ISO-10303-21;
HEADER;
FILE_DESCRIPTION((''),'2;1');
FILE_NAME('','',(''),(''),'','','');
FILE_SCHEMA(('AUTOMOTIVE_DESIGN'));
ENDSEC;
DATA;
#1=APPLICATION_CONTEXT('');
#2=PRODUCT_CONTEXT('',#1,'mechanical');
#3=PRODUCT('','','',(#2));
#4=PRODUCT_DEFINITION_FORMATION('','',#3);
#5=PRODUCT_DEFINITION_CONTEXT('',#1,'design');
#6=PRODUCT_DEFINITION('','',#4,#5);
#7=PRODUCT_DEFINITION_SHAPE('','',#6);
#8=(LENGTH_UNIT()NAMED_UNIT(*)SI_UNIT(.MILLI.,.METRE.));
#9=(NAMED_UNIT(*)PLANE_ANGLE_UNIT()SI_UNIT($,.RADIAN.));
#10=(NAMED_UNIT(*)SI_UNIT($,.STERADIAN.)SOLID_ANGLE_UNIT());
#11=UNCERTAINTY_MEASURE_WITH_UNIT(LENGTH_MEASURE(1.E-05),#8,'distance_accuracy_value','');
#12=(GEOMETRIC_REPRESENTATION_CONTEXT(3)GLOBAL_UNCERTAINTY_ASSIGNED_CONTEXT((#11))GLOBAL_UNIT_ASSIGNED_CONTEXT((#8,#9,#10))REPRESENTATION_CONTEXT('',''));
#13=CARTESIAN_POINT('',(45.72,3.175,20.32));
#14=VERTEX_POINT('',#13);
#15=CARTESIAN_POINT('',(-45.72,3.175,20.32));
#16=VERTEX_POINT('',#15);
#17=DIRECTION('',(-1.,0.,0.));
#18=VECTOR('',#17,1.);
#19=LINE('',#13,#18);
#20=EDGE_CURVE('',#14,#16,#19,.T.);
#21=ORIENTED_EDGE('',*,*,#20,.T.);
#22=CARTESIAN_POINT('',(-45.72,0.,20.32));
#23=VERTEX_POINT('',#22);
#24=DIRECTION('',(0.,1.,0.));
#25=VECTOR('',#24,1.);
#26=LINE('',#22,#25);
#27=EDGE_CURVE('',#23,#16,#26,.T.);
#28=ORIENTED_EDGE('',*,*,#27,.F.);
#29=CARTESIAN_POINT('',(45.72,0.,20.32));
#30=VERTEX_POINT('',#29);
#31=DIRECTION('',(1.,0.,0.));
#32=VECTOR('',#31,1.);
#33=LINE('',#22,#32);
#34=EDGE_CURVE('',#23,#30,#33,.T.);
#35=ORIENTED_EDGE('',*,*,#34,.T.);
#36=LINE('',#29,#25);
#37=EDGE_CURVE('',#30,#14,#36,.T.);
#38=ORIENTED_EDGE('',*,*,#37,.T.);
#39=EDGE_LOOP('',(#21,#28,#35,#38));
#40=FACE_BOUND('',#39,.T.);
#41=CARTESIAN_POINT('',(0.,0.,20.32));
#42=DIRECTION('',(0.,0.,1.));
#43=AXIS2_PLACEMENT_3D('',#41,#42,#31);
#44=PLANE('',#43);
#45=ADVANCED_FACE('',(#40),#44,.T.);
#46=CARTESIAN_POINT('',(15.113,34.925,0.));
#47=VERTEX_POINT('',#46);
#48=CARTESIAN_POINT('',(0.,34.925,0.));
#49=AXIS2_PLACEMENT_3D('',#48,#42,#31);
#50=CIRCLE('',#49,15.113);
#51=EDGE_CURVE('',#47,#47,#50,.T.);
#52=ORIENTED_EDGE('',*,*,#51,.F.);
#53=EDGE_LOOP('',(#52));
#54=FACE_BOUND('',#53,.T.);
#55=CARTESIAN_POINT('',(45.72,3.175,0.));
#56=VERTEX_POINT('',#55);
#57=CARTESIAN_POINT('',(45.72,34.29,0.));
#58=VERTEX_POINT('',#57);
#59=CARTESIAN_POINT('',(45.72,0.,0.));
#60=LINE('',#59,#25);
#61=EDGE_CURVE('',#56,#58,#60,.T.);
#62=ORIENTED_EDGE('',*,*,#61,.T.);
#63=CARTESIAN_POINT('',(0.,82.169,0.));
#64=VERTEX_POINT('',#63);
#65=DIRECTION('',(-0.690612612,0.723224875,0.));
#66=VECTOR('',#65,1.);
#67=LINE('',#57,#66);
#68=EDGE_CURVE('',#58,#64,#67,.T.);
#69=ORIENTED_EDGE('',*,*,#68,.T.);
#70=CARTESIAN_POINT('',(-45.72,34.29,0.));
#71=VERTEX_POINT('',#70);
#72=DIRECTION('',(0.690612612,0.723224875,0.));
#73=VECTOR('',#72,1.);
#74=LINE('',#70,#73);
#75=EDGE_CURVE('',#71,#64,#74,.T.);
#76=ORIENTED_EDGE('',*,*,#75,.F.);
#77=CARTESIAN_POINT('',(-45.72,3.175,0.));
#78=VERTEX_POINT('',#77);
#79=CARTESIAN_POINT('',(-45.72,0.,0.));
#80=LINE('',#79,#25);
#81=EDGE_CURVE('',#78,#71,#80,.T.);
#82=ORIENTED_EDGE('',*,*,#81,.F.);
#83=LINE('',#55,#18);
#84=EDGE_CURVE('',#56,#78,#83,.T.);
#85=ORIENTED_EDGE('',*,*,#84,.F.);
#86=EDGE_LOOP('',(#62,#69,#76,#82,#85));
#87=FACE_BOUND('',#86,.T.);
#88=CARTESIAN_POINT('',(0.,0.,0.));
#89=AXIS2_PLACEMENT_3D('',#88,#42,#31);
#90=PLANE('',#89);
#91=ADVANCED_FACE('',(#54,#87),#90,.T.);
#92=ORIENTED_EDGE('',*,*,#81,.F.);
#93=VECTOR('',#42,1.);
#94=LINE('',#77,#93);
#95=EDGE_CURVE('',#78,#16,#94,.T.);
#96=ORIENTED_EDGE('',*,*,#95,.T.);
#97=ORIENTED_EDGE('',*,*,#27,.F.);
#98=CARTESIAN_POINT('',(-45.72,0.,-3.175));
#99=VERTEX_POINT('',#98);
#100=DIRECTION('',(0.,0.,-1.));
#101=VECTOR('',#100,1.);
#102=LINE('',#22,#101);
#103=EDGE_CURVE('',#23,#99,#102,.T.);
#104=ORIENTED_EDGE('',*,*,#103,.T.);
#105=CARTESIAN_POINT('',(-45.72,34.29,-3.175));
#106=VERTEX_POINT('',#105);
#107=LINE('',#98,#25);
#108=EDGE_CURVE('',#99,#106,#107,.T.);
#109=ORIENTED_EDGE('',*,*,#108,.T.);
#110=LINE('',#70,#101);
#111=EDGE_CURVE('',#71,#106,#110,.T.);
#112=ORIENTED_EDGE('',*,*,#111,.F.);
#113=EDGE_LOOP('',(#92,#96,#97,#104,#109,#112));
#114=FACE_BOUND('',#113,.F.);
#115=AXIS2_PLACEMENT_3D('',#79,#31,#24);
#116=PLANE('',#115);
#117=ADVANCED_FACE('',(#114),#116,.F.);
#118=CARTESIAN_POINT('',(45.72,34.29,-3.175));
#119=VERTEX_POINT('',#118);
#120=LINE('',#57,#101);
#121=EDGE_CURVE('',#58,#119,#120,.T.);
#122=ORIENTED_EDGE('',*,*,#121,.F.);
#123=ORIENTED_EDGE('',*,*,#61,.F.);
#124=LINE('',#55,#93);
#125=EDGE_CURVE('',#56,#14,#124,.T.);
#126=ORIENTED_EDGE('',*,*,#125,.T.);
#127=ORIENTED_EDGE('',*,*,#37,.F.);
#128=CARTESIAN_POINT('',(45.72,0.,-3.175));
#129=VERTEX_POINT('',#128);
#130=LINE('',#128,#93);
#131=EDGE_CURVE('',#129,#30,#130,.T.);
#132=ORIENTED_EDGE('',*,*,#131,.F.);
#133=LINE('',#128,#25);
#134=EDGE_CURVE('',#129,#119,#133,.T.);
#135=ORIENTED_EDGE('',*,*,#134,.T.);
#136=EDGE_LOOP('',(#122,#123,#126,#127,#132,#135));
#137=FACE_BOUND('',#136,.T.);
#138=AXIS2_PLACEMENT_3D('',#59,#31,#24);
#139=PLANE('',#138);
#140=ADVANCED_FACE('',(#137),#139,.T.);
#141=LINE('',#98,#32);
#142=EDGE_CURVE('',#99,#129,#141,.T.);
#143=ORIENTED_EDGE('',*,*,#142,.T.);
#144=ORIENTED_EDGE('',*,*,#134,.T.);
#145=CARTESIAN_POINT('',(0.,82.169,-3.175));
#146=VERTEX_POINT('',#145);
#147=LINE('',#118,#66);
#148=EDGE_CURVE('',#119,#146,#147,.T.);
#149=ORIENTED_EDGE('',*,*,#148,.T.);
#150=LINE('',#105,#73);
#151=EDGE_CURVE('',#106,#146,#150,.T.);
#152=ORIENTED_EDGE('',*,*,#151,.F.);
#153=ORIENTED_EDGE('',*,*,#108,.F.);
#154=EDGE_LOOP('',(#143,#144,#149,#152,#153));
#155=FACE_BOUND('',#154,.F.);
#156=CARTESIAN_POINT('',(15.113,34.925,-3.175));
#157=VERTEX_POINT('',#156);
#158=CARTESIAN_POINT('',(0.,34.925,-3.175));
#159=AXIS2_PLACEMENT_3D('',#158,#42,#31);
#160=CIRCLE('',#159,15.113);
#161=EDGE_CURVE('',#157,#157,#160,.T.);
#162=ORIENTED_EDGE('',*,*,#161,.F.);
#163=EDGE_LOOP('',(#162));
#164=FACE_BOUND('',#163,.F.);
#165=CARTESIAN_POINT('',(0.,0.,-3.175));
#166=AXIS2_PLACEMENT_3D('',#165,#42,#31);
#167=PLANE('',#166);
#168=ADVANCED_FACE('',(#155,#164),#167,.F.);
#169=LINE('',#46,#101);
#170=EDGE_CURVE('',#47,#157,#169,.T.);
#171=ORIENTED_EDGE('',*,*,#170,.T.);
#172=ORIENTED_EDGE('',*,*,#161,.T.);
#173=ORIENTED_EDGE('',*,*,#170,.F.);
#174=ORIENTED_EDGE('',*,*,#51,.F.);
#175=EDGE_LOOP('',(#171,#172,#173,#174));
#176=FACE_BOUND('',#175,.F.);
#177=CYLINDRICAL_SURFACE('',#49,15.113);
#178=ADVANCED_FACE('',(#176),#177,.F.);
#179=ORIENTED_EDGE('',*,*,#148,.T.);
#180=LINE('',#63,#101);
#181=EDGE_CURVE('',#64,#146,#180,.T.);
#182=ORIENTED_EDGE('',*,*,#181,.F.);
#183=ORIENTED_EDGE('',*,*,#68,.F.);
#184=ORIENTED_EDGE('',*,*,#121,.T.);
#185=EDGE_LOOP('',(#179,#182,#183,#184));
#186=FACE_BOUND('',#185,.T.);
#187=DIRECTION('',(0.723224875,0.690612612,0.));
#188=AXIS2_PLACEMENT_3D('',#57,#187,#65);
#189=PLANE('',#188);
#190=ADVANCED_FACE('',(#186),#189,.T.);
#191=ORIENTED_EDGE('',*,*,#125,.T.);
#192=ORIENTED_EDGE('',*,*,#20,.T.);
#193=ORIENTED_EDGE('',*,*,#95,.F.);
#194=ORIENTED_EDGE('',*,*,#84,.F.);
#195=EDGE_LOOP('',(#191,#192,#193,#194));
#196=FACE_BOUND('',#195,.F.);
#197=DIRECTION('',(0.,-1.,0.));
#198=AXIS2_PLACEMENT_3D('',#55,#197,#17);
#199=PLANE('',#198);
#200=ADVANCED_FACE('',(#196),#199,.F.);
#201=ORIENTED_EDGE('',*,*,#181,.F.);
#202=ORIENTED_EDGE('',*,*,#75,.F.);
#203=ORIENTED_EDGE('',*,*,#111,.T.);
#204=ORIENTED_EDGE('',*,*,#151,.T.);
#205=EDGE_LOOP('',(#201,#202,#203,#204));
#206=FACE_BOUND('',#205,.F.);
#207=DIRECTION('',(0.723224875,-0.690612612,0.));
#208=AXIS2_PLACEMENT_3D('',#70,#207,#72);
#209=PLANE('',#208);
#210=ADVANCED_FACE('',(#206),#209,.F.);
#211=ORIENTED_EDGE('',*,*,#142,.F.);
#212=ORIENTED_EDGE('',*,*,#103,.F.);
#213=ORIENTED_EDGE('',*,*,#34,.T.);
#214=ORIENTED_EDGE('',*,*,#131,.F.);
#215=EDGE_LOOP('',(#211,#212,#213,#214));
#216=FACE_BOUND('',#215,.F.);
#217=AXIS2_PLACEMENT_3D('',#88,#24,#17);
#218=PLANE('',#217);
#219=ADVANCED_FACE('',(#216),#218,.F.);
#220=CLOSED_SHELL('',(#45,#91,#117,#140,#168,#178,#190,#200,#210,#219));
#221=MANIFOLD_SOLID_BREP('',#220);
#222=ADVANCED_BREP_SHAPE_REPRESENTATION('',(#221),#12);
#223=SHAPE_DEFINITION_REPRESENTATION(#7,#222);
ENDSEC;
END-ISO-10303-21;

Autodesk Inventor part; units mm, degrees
ref_plane "YZ Plane" through (0, 0, 0) normal (1, 0, 0) x (0, 1, 0)
ref_plane "XZ Plane" through (0, 0, 0) normal (0, 1, 0) x (-1, 0, 0)
ref_plane "XY Plane" through (0, 0, 0) normal (0, 0, 1) x (1, 0, 0)
sketch "Sketch1" plane through (0, 0, 0) normal (0, 0, 1) x (1, 0, 0)
  line L0 (0, 0) -> (45.72, 0)
  line L1 (45.72, 0) -> (45.72, 34.29)
  line L2 (0, 0) -> (0, 82.169) construction
  line L3 (45.72, 34.29) -> (0, 82.169)
  line L4 (0, 0) -> (-45.72, 0)
  line L5 (-45.72, 0) -> (-45.72, 34.29)
  line L6 (-45.72, 34.29) -> (0, 82.169)
  dimension "d0" = 82.169
  dimension "d1" = 45.72
  dimension "d2" = 34.29
extrude "Extrusion1" add sketch "Sketch1" against normal blind 3.175
sketch "Sketch2" plane through (0, 0, 0) normal (0, 0, 1) x (1, 0, 0)
  line L0 (-45.72, 0) -> (-45.72, 34.29) projected
  line L1 (-45.72, 0) -> (45.72, 0)
  line L2 (45.72, 0) -> (45.72, 3.175)
  line L3 (45.72, 3.175) -> (-45.72, 3.175)
  line L4 (-45.72, 3.175) -> (-45.72, 0)
  point P0 (0, 0)
  dimension "d5" = 3.175
extrude "Extrusion2" add sketch "Sketch2" along normal blind 20.32
sketch "Sketch3" plane through (0, 0, 0) normal (0, 0, 1) x (1, 0, 0)
  circle A0 centre (0, 34.925) radius 15.113
  line L0 (-45.72, 0) -> (45.72, 0) projected
  point P0 (0, 0)
  dimension "d8" = 30.226
  dimension "d9" = 34.925
extrude "Extrusion3" cut sketch "Sketch3" against normal through all
properties part number "rsSnowBlowerMount"
